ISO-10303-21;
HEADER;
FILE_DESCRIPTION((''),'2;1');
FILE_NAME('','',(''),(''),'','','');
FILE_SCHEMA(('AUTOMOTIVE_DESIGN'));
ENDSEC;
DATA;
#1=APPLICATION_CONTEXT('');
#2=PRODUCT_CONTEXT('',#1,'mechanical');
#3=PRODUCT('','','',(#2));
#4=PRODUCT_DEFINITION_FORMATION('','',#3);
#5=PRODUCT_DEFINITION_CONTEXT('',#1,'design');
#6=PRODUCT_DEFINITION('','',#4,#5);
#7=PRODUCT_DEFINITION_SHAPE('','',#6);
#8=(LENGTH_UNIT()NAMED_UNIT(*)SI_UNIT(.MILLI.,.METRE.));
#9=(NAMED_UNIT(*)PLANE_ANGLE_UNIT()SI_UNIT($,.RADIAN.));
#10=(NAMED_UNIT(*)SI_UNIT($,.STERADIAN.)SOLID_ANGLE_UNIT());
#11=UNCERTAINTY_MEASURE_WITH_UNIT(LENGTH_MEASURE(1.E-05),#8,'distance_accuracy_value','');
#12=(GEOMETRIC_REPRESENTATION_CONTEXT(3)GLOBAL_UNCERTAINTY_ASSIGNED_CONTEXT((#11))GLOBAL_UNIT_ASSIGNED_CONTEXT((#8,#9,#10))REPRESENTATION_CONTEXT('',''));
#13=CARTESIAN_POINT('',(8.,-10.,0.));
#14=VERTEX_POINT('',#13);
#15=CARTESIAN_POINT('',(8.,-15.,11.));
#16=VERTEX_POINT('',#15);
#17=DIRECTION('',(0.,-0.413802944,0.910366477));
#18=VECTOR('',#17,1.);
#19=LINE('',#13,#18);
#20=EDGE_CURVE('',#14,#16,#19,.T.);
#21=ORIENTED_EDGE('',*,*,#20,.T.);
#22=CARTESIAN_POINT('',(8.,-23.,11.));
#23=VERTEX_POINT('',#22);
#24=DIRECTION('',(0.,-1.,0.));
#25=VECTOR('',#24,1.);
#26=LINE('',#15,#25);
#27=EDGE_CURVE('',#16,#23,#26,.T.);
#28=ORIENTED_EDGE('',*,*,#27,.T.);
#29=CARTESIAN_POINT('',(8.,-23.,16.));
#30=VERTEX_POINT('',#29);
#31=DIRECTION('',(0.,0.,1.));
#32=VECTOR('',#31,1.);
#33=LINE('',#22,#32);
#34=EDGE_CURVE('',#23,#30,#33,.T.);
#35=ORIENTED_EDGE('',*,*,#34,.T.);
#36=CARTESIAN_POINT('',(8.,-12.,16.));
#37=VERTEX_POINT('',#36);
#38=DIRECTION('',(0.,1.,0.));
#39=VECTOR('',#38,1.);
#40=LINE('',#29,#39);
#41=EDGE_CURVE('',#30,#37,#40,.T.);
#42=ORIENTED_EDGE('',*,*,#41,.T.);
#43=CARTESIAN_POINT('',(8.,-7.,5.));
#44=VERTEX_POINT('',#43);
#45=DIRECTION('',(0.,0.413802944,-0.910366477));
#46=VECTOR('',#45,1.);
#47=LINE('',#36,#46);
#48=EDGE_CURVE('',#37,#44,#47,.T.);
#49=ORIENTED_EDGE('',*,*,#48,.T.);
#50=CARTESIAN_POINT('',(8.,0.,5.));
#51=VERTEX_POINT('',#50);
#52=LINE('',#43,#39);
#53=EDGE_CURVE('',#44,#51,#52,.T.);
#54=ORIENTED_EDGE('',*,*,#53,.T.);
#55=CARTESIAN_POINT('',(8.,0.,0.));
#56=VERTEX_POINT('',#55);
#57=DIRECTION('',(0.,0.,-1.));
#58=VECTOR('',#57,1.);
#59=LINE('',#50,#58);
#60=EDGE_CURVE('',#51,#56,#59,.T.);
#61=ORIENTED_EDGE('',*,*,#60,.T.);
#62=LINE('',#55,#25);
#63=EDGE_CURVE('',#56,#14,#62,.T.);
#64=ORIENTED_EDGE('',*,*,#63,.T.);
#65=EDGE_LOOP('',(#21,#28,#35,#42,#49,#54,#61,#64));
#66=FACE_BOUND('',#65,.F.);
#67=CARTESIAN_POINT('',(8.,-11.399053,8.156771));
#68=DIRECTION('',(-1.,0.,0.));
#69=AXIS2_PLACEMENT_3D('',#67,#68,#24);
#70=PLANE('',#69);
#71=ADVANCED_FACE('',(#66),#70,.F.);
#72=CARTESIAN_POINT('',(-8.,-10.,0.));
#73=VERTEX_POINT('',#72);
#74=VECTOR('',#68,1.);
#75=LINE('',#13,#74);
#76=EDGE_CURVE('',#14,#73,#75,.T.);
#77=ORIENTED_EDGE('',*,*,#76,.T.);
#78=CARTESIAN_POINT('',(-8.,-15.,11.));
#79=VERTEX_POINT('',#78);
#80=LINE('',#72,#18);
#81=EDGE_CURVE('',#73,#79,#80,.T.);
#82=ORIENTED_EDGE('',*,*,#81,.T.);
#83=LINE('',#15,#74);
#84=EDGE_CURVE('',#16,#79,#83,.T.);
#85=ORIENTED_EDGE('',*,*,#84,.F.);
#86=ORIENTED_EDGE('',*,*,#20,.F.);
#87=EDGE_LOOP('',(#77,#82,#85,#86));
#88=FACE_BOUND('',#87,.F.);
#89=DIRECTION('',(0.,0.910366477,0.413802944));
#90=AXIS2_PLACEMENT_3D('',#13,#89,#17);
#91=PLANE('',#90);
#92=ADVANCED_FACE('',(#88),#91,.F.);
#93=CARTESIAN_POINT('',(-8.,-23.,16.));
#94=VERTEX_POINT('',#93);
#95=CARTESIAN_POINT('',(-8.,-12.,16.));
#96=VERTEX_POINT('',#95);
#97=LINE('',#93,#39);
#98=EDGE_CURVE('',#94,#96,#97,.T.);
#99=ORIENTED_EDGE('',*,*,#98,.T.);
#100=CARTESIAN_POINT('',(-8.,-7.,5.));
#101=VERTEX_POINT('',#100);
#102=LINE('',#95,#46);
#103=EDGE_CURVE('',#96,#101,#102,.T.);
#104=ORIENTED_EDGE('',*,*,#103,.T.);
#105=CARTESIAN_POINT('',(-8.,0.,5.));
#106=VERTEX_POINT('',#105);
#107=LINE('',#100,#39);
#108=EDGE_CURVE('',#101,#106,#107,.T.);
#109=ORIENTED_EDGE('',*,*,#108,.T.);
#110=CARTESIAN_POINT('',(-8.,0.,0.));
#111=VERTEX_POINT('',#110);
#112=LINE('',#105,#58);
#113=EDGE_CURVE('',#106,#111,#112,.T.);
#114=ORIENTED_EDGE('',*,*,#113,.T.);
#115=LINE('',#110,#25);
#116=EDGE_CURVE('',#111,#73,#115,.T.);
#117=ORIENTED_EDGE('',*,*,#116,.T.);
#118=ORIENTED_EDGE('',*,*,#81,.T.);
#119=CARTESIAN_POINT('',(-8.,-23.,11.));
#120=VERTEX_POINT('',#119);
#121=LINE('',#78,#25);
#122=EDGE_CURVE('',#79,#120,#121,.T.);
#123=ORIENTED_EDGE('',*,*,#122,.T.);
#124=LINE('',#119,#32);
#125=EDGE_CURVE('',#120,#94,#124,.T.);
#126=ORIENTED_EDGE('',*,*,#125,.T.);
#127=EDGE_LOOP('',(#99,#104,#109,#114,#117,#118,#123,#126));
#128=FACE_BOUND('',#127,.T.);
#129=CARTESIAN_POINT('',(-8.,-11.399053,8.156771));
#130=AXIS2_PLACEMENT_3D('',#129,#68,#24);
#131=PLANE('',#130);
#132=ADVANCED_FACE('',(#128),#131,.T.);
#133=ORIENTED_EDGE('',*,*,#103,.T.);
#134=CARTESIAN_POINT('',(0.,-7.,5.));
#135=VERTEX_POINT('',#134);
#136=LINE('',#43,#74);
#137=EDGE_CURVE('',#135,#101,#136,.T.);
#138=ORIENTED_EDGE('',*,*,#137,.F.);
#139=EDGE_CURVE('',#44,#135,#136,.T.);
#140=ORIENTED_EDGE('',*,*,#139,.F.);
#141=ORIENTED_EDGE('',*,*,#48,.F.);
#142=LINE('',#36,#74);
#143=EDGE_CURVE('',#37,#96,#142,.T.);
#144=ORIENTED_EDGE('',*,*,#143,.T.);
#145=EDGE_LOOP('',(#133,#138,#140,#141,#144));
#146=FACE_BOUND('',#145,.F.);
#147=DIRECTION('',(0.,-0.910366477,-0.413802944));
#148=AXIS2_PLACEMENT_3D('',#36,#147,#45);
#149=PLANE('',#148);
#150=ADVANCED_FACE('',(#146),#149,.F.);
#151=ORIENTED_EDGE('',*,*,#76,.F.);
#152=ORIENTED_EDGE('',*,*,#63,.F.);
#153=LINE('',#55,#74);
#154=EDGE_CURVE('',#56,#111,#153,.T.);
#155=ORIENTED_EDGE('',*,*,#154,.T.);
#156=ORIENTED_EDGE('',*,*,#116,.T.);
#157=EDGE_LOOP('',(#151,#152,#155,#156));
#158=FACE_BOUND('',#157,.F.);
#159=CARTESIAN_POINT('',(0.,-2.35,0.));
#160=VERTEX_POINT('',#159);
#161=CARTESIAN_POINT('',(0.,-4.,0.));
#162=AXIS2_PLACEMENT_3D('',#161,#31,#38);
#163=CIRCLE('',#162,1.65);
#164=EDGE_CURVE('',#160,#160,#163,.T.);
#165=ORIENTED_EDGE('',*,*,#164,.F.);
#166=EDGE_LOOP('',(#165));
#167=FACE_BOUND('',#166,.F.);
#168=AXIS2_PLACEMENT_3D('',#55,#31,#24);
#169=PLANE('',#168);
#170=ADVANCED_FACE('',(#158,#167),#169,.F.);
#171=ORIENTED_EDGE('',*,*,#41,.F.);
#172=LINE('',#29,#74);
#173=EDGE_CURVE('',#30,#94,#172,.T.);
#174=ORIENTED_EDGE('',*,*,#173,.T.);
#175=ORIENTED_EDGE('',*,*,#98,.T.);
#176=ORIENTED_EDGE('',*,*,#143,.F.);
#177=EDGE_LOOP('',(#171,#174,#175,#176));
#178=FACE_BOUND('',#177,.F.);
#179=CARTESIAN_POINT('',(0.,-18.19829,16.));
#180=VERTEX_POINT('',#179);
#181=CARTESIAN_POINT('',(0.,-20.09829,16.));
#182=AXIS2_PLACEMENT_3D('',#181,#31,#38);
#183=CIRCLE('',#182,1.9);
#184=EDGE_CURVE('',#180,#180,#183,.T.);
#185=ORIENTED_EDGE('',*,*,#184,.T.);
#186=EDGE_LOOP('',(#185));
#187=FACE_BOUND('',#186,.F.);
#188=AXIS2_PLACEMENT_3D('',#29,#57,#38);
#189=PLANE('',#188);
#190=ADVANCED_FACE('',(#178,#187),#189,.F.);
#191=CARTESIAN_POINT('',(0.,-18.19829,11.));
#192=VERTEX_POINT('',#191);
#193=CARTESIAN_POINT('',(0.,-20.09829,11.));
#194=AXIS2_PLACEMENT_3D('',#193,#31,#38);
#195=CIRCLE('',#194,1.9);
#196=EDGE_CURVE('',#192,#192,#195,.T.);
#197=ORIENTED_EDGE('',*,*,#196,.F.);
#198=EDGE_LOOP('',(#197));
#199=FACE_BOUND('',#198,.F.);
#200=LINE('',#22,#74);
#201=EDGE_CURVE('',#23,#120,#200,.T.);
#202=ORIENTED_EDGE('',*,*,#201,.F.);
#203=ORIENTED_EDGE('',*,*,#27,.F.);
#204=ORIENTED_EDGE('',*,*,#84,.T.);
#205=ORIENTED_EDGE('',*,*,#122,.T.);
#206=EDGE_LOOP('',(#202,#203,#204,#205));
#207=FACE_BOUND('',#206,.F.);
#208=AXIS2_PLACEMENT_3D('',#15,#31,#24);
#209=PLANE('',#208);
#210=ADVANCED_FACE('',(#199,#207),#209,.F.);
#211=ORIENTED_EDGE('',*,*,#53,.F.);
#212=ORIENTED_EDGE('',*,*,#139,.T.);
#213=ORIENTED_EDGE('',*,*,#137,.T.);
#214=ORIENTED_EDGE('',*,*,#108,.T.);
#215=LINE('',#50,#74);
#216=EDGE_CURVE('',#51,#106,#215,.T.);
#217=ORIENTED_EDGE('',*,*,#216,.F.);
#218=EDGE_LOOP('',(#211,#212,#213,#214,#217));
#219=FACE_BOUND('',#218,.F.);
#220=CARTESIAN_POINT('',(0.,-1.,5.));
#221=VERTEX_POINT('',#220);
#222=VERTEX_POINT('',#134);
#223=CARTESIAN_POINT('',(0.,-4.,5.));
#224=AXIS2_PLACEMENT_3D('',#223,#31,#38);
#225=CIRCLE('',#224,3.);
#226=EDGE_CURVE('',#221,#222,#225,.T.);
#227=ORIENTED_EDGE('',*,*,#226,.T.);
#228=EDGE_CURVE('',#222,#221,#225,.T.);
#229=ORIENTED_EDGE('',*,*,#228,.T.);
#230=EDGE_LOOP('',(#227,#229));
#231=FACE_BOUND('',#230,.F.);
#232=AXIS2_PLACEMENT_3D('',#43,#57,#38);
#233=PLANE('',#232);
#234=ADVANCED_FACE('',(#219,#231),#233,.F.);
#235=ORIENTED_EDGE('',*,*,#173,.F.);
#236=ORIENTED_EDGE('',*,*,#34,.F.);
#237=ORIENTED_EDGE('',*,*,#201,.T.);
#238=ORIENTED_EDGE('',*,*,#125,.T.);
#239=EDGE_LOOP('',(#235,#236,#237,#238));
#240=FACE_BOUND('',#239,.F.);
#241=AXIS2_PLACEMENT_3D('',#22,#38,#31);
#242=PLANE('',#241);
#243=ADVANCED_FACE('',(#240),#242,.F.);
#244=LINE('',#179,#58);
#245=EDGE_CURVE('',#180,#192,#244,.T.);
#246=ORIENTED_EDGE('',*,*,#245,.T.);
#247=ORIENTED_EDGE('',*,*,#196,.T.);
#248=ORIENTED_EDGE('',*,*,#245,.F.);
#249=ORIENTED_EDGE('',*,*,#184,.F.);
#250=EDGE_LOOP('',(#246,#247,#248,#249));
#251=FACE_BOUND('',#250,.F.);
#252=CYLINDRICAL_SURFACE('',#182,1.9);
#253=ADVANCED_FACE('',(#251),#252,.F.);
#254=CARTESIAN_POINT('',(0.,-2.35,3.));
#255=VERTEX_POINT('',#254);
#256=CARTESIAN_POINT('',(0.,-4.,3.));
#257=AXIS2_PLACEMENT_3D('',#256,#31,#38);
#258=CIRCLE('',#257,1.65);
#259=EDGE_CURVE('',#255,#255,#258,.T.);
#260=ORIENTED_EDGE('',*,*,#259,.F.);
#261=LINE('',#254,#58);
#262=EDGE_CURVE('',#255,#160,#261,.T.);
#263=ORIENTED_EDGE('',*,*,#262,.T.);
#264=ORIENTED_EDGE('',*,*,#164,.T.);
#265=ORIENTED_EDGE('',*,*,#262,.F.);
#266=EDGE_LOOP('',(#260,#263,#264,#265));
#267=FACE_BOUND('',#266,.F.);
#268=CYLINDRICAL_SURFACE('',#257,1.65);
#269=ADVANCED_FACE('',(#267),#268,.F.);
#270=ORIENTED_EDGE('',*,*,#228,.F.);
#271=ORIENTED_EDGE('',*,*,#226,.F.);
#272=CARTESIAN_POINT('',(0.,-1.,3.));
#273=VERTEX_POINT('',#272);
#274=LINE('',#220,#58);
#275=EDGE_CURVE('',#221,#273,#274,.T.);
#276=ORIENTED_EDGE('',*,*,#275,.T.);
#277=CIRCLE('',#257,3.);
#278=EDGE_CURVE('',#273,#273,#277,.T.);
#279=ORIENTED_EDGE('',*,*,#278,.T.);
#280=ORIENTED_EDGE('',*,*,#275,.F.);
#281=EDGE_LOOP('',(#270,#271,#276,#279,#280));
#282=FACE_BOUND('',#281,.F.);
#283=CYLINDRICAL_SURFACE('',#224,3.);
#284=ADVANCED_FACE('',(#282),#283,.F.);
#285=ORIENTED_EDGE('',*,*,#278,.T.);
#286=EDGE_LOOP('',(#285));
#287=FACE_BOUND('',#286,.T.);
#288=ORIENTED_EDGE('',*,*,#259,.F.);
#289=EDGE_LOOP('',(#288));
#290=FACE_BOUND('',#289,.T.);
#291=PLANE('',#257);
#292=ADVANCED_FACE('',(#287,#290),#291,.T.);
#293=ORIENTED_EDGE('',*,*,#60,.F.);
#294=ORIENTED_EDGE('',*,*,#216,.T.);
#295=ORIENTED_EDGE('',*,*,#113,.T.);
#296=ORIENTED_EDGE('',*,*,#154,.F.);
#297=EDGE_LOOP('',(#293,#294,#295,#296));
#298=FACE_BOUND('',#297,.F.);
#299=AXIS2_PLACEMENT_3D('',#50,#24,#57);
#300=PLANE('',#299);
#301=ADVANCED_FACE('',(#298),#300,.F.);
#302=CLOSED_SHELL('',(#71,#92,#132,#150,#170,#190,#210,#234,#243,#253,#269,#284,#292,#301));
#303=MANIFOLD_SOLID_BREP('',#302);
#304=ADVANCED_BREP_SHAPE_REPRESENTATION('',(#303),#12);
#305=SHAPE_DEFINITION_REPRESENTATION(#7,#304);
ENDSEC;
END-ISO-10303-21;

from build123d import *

# Parameters (mm, degrees)
PAD_DEPTH            = 16
SKETCH001_R          = 1.9
POCKET_DEPTH         = 5
SKETCH002_R          = 3
POCKET001_DEPTH      = 2
SKETCH003_R          = 1.65
POCKET002_DEPTH      = 5
BODY_PLACEMENT_ANGLE = 90


with BuildPart() as part:
    # Sketch → Pad (new body)
    with BuildSketch(Plane.XZ):
        Polygon((0, 0), (10, 0), (15, 11), (23, 11), (23, 16), (12, 16), (7, 5), (0, 5), align=None)
    extrude(amount=PAD_DEPTH)

    # Sketch001 (on Face5 of Pad) → Pocket (cut)
    with BuildSketch(Plane(origin=(0, 0, 16), x_dir=(-1, 0, 0), z_dir=(0, 0, 1))):
        with Locations((-20.09829, 8)):
            Circle(SKETCH001_R)
    extrude(amount=-POCKET_DEPTH, mode=Mode.SUBTRACT)

    # Sketch002 (on Face6 of Pocket) → Pocket001 (cut)
    with BuildSketch(Plane(origin=(0, 0, 5), x_dir=(-1, 0, 0), z_dir=(0, 0, 1))):
        with Locations((-4, 8)):
            Circle(SKETCH002_R)
    extrude(amount=-POCKET001_DEPTH, mode=Mode.SUBTRACT)

    # Sketch003 (on Face13 of Pocket001) → Pocket002 (cut)
    with BuildSketch(Plane(origin=(0, 0, 3), x_dir=(-1, 0, 0), z_dir=(0, 0, 1))):
        with Locations((-4, 8)):
            Circle(SKETCH003_R)
    extrude(amount=-POCKET002_DEPTH, mode=Mode.SUBTRACT)


with BuildPart() as part_1:
    # Body placement: moved
    add(part.part.moved(Location((8, 0, 0))).rotate(Axis((8, 0, 0), (0, 0, -1)), BODY_PLACEMENT_ANGLE))


solid = part_1.part
